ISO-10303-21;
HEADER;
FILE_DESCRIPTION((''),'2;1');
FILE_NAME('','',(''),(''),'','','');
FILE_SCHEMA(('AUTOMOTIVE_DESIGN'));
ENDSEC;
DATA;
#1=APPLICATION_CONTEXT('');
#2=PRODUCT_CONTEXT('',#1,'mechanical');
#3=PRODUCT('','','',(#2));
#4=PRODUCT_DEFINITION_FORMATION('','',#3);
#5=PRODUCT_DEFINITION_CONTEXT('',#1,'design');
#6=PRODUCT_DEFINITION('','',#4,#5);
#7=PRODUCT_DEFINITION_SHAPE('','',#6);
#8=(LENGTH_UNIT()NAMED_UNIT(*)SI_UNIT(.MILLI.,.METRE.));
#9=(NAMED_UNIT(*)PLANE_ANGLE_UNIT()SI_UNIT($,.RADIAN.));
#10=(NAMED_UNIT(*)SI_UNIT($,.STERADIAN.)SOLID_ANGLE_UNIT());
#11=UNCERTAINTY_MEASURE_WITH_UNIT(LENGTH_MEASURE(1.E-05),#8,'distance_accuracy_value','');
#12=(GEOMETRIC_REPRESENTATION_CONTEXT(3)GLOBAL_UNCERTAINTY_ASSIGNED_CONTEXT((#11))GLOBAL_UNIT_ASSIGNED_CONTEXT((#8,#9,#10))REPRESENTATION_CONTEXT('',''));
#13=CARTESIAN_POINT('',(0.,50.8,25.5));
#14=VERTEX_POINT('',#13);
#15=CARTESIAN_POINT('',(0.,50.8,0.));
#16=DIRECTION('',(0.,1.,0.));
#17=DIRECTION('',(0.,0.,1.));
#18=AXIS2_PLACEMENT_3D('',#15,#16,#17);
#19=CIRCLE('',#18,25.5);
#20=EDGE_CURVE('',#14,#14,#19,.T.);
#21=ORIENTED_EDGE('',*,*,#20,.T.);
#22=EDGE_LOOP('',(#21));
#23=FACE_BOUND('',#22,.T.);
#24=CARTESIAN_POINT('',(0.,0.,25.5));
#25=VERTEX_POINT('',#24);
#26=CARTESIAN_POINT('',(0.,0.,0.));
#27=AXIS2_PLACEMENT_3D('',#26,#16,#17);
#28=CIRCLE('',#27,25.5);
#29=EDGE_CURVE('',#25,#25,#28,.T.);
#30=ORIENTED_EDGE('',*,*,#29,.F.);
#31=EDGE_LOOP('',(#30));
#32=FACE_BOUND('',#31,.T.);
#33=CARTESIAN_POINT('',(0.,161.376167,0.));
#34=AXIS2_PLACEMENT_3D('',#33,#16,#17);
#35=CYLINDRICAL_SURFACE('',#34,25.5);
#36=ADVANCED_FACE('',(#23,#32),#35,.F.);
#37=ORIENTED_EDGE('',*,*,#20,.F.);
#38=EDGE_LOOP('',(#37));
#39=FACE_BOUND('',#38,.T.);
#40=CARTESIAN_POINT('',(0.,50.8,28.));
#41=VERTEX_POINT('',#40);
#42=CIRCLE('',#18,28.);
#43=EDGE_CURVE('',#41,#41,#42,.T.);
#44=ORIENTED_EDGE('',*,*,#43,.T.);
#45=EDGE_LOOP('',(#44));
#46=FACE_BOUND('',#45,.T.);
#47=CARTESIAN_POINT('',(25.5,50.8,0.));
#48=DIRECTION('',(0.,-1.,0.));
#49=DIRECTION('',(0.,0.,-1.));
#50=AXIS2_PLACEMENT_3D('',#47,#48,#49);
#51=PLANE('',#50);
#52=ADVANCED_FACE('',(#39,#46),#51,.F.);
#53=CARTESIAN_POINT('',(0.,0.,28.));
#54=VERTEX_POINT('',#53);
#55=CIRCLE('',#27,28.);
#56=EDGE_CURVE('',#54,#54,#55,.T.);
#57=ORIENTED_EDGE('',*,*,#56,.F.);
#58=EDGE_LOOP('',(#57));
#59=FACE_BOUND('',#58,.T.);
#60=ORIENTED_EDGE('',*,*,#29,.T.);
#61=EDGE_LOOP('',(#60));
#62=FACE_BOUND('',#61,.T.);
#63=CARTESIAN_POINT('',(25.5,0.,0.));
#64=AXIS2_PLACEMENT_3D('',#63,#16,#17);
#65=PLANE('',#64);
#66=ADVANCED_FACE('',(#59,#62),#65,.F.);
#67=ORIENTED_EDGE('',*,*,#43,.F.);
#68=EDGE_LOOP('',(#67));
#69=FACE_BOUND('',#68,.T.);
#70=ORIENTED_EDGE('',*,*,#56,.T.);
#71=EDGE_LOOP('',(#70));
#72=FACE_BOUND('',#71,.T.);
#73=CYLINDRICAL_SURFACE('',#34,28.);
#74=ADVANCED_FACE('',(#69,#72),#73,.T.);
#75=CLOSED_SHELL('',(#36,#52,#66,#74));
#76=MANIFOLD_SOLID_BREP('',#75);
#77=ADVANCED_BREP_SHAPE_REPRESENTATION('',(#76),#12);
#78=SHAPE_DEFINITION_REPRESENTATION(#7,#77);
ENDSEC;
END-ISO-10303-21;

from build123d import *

# Parameters (mm, degrees)
SKETCH_1_W = 2.5
SKETCH_1_H = 50.8


with BuildPart() as part:
    # 草图1 → 旋转1 (revolve)
    with BuildSketch(Plane.XY, mode=Mode.PRIVATE) as revolve_1_sk:
        with Locations((26.75, 25.4)):
            Rectangle(SKETCH_1_W, SKETCH_1_H)
    revolve(revolve_1_sk.sketch.rotate(Axis((0, 161.376166943, 0), (0, -1, 0)), 90), axis=Axis((0, 161.376166943, 0), (0, -1, 0)))  # turned: the seam where the file's is


solid = part.part
